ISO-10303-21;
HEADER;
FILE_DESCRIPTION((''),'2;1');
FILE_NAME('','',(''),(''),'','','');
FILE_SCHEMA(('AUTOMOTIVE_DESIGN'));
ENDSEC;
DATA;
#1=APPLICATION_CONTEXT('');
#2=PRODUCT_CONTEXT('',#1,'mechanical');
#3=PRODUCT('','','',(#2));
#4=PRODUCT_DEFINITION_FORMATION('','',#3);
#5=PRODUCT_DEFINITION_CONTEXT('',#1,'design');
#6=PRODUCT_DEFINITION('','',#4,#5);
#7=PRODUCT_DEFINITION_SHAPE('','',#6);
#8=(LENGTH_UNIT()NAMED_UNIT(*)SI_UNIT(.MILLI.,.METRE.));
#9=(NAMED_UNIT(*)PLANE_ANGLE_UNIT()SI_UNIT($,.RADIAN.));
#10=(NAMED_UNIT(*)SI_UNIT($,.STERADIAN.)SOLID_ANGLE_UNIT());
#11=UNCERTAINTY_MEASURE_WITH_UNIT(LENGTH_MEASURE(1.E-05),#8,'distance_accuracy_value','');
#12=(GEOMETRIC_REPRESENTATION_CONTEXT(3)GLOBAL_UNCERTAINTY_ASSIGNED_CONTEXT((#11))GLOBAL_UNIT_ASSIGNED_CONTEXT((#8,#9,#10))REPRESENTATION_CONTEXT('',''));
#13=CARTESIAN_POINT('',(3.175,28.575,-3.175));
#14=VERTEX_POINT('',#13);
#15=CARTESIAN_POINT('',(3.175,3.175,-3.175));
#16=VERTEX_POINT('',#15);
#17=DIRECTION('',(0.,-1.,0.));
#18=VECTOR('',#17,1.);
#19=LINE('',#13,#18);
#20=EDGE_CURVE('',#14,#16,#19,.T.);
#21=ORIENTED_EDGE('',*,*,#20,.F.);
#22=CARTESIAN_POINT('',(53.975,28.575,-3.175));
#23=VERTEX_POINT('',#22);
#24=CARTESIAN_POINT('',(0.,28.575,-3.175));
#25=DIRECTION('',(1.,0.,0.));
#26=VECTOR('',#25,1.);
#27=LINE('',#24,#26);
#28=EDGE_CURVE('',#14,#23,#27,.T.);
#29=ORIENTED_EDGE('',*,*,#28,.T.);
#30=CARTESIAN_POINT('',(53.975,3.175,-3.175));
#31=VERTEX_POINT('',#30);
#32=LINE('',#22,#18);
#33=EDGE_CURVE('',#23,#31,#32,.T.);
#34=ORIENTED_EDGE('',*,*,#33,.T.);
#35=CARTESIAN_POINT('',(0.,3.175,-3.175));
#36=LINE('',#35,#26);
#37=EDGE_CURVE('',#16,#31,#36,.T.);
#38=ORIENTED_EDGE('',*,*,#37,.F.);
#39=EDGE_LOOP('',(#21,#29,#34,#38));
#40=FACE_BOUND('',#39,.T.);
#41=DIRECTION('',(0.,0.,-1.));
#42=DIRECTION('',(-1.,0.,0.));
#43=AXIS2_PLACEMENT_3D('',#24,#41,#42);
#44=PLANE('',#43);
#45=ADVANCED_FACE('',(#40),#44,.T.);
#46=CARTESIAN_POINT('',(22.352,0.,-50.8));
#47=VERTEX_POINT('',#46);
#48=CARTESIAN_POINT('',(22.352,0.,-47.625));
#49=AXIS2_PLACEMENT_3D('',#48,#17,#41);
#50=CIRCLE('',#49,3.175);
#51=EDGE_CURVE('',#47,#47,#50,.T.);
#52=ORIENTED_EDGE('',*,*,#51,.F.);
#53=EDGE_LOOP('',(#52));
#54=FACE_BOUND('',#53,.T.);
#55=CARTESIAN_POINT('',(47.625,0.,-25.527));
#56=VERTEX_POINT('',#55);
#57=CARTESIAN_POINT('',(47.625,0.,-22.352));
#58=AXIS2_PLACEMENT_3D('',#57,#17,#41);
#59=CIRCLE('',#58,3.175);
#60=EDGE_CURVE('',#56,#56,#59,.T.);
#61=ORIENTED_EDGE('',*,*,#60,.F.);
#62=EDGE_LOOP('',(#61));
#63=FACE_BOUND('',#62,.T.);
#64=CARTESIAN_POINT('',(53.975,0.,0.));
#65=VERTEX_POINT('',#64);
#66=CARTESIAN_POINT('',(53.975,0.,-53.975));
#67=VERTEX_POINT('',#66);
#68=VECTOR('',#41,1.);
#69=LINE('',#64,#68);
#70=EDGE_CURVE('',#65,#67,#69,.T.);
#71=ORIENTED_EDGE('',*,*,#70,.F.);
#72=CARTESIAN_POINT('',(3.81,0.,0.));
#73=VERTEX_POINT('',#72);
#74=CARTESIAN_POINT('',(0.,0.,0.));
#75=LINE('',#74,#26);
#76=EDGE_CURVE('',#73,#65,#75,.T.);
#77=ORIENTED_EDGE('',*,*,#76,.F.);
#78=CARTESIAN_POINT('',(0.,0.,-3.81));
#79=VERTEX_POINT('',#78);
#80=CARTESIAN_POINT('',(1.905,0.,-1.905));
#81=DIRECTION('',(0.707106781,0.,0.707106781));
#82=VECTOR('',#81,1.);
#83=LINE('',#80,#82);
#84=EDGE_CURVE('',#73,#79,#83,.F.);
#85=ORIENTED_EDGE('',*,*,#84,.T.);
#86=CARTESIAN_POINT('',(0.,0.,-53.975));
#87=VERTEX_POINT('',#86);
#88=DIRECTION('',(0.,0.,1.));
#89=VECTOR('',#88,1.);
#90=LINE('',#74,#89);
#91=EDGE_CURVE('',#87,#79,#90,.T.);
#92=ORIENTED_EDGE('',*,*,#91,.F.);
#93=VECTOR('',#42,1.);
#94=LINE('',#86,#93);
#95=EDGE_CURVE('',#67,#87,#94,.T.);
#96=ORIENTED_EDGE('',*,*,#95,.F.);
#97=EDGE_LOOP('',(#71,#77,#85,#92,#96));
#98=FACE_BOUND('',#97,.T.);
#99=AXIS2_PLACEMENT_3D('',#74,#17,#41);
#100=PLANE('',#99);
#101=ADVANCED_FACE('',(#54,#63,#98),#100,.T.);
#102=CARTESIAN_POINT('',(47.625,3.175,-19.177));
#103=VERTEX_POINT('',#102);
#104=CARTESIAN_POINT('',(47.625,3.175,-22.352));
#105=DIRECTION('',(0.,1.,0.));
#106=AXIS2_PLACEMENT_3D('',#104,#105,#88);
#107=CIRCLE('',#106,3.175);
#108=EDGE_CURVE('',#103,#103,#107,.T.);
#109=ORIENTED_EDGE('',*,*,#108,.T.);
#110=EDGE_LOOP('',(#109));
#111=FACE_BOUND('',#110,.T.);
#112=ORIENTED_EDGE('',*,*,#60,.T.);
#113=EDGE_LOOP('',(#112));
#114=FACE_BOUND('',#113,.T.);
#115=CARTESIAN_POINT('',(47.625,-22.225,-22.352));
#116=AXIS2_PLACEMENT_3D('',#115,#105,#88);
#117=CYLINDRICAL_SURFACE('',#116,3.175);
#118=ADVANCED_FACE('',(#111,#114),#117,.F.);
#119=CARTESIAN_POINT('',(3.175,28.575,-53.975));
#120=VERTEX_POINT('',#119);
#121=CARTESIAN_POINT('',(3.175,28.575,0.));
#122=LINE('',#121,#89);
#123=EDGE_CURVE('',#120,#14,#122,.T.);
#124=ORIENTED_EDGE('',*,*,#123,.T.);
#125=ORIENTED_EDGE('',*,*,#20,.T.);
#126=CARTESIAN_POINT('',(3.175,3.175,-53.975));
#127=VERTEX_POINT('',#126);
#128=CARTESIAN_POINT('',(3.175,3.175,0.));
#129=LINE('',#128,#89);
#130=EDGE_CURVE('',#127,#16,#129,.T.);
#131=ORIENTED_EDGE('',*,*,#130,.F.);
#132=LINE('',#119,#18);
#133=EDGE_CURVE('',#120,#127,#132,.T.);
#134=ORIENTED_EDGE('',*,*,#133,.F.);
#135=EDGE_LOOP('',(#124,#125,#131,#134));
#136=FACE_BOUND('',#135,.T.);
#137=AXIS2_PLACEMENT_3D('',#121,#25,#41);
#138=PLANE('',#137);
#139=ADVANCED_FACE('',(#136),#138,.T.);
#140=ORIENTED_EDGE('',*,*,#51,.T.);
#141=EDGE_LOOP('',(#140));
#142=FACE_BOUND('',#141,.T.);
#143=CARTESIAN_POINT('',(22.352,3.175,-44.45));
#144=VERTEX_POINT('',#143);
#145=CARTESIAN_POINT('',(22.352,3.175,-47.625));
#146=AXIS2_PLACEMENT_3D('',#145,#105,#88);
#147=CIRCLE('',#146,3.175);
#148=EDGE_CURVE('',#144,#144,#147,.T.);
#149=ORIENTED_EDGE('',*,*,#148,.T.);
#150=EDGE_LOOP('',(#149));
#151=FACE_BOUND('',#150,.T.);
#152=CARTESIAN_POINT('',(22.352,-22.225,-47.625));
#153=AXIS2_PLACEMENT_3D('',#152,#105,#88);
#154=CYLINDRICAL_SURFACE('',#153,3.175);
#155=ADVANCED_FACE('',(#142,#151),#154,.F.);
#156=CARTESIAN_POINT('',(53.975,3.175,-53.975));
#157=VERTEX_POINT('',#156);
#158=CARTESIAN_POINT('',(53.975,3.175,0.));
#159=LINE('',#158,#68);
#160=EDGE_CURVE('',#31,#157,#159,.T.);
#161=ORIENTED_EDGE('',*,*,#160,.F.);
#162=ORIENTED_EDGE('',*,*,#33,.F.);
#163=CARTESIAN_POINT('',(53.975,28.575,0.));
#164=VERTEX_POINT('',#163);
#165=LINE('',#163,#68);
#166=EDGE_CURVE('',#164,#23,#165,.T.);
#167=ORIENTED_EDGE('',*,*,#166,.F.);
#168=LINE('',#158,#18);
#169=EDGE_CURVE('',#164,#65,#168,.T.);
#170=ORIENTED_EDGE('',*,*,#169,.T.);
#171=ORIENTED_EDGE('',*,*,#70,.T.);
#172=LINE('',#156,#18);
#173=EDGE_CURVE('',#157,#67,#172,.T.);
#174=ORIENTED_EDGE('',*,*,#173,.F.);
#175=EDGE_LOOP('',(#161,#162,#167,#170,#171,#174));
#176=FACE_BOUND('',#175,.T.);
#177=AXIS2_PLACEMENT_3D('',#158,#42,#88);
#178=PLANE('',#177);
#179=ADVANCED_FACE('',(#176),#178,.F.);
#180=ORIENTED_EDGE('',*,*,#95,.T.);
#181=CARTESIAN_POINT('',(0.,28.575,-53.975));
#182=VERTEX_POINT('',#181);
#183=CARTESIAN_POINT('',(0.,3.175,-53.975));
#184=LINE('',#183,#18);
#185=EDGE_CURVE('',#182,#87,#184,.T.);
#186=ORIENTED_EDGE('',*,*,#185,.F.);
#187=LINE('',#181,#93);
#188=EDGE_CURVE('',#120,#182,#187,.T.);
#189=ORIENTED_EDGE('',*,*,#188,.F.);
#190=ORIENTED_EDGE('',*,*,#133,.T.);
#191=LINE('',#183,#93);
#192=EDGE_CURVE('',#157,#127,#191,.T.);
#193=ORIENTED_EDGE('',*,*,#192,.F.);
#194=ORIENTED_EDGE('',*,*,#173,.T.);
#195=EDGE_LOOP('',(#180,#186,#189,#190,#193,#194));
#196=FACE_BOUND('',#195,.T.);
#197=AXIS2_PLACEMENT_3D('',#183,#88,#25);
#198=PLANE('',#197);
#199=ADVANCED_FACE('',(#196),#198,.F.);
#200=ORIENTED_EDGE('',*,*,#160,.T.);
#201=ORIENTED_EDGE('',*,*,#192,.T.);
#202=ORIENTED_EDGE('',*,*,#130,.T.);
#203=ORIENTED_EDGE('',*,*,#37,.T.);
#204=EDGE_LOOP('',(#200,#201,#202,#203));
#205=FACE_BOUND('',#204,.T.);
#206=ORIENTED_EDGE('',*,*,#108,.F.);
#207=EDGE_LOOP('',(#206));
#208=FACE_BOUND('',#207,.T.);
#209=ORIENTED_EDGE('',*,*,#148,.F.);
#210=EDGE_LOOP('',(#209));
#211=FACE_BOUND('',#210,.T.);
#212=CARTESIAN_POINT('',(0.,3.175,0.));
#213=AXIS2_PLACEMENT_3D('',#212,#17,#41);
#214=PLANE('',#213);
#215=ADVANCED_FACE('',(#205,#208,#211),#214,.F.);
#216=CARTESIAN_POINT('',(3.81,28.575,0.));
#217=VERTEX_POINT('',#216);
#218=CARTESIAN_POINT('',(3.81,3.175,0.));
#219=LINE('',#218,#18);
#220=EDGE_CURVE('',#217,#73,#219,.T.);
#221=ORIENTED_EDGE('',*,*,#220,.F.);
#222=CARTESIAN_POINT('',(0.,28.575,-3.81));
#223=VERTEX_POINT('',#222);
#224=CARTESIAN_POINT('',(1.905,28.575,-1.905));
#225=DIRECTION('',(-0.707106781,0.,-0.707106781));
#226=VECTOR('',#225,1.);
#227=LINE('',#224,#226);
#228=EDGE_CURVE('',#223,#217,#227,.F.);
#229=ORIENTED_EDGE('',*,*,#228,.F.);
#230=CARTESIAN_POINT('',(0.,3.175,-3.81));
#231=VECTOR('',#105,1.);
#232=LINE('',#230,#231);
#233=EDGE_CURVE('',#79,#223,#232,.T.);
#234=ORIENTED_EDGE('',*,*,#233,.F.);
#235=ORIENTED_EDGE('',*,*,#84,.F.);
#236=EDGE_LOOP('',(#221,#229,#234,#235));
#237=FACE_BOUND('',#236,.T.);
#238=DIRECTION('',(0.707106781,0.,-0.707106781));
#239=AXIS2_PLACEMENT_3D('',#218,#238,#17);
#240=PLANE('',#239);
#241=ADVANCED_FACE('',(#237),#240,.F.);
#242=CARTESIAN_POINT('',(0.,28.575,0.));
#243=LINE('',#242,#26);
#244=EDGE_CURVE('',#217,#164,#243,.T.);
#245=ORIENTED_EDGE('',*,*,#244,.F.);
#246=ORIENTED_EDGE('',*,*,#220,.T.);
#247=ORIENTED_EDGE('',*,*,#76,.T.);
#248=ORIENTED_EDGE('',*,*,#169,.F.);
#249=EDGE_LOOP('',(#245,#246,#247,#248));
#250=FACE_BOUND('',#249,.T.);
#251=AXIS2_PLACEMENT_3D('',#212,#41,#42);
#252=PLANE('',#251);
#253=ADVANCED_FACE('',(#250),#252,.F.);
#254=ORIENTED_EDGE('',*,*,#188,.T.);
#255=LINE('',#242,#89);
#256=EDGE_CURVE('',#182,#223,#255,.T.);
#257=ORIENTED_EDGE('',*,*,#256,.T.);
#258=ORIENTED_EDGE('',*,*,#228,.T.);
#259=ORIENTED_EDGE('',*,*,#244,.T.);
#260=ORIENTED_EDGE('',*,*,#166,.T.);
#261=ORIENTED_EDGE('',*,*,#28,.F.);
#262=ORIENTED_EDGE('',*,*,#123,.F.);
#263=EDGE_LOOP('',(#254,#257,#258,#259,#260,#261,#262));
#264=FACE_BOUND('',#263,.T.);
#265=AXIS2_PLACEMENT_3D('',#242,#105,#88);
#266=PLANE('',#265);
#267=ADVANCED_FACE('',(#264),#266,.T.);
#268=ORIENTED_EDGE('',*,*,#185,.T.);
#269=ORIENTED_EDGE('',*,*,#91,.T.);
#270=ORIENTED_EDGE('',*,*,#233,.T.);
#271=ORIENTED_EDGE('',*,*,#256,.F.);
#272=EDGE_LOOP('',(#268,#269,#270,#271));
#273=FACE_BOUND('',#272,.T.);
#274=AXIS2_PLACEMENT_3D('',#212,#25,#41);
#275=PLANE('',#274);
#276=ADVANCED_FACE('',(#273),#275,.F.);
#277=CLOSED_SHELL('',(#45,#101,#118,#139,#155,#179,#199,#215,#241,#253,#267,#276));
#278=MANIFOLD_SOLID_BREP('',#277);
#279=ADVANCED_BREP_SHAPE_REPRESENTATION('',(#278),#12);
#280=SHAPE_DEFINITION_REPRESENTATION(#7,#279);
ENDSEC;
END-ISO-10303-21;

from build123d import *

# Parameters (mm, degrees)
SKETCH1_W           = 53.975
SKETCH1_H           = 53.975
BOSS_EXTRUDE1_DEPTH = 3.175
SKETCH2_W           = 3.175
SKETCH2_H           = 50.8
SKETCH2_W_2         = 50.8
SKETCH2_H_2         = 3.175
BOSS_EXTRUDE2_DEPTH = 25.4
CHAMFER1_SIZE       = 3.81
SKETCH3_R           = 3.175
CUT_EXTRUDE1_DEPTH  = 25.4


with BuildPart() as part:
    # Sketch1 → Boss-Extrude1 (new body)
    with BuildSketch(Plane(origin=(0, 0, 0), x_dir=(1, 0, 0), z_dir=(0, 1, 0))):
        with Locations((26.9875, 26.9875)):
            Rectangle(SKETCH1_W, SKETCH1_H)
    extrude(amount=BOSS_EXTRUDE1_DEPTH)

    # Sketch2 → Boss-Extrude2 (add)
    with BuildSketch(Plane(origin=(0, 3.175, 0), x_dir=(1, 0, 0), z_dir=(0, 1, 0))):
        with Locations((1.5875, 28.575)):
            Rectangle(SKETCH2_W, SKETCH2_H)
        with Locations((28.575, 1.5875)):
            Rectangle(SKETCH2_W_2, SKETCH2_H_2)
        with Locations((1.5875, 1.5875)):
            Rectangle(SKETCH2_W, SKETCH2_H_2)
    extrude(amount=BOSS_EXTRUDE2_DEPTH)

    # Chamfer1
    chamfer1_edges = [part.edges().sort_by_distance(p)[0] for p in [
        (0, 14.2875, 0),
    ]]
    chamfer(chamfer1_edges, length=CHAMFER1_SIZE)

    # Sketch3 → Cut-Extrude1 (cut)
    with BuildSketch(Plane(origin=(0, 3.175, 0), x_dir=(1, 0, 0), z_dir=(0, 1, 0))):
        with Locations(Location((22.352, 47.625, 0), (0, 0, 270))):
            Circle(SKETCH3_R)
        with Locations(Location((47.625, 22.352, 0), (0, 0, 270))):
            Circle(SKETCH3_R)
    extrude(amount=-CUT_EXTRUDE1_DEPTH, mode=Mode.SUBTRACT)


solid = part.part
